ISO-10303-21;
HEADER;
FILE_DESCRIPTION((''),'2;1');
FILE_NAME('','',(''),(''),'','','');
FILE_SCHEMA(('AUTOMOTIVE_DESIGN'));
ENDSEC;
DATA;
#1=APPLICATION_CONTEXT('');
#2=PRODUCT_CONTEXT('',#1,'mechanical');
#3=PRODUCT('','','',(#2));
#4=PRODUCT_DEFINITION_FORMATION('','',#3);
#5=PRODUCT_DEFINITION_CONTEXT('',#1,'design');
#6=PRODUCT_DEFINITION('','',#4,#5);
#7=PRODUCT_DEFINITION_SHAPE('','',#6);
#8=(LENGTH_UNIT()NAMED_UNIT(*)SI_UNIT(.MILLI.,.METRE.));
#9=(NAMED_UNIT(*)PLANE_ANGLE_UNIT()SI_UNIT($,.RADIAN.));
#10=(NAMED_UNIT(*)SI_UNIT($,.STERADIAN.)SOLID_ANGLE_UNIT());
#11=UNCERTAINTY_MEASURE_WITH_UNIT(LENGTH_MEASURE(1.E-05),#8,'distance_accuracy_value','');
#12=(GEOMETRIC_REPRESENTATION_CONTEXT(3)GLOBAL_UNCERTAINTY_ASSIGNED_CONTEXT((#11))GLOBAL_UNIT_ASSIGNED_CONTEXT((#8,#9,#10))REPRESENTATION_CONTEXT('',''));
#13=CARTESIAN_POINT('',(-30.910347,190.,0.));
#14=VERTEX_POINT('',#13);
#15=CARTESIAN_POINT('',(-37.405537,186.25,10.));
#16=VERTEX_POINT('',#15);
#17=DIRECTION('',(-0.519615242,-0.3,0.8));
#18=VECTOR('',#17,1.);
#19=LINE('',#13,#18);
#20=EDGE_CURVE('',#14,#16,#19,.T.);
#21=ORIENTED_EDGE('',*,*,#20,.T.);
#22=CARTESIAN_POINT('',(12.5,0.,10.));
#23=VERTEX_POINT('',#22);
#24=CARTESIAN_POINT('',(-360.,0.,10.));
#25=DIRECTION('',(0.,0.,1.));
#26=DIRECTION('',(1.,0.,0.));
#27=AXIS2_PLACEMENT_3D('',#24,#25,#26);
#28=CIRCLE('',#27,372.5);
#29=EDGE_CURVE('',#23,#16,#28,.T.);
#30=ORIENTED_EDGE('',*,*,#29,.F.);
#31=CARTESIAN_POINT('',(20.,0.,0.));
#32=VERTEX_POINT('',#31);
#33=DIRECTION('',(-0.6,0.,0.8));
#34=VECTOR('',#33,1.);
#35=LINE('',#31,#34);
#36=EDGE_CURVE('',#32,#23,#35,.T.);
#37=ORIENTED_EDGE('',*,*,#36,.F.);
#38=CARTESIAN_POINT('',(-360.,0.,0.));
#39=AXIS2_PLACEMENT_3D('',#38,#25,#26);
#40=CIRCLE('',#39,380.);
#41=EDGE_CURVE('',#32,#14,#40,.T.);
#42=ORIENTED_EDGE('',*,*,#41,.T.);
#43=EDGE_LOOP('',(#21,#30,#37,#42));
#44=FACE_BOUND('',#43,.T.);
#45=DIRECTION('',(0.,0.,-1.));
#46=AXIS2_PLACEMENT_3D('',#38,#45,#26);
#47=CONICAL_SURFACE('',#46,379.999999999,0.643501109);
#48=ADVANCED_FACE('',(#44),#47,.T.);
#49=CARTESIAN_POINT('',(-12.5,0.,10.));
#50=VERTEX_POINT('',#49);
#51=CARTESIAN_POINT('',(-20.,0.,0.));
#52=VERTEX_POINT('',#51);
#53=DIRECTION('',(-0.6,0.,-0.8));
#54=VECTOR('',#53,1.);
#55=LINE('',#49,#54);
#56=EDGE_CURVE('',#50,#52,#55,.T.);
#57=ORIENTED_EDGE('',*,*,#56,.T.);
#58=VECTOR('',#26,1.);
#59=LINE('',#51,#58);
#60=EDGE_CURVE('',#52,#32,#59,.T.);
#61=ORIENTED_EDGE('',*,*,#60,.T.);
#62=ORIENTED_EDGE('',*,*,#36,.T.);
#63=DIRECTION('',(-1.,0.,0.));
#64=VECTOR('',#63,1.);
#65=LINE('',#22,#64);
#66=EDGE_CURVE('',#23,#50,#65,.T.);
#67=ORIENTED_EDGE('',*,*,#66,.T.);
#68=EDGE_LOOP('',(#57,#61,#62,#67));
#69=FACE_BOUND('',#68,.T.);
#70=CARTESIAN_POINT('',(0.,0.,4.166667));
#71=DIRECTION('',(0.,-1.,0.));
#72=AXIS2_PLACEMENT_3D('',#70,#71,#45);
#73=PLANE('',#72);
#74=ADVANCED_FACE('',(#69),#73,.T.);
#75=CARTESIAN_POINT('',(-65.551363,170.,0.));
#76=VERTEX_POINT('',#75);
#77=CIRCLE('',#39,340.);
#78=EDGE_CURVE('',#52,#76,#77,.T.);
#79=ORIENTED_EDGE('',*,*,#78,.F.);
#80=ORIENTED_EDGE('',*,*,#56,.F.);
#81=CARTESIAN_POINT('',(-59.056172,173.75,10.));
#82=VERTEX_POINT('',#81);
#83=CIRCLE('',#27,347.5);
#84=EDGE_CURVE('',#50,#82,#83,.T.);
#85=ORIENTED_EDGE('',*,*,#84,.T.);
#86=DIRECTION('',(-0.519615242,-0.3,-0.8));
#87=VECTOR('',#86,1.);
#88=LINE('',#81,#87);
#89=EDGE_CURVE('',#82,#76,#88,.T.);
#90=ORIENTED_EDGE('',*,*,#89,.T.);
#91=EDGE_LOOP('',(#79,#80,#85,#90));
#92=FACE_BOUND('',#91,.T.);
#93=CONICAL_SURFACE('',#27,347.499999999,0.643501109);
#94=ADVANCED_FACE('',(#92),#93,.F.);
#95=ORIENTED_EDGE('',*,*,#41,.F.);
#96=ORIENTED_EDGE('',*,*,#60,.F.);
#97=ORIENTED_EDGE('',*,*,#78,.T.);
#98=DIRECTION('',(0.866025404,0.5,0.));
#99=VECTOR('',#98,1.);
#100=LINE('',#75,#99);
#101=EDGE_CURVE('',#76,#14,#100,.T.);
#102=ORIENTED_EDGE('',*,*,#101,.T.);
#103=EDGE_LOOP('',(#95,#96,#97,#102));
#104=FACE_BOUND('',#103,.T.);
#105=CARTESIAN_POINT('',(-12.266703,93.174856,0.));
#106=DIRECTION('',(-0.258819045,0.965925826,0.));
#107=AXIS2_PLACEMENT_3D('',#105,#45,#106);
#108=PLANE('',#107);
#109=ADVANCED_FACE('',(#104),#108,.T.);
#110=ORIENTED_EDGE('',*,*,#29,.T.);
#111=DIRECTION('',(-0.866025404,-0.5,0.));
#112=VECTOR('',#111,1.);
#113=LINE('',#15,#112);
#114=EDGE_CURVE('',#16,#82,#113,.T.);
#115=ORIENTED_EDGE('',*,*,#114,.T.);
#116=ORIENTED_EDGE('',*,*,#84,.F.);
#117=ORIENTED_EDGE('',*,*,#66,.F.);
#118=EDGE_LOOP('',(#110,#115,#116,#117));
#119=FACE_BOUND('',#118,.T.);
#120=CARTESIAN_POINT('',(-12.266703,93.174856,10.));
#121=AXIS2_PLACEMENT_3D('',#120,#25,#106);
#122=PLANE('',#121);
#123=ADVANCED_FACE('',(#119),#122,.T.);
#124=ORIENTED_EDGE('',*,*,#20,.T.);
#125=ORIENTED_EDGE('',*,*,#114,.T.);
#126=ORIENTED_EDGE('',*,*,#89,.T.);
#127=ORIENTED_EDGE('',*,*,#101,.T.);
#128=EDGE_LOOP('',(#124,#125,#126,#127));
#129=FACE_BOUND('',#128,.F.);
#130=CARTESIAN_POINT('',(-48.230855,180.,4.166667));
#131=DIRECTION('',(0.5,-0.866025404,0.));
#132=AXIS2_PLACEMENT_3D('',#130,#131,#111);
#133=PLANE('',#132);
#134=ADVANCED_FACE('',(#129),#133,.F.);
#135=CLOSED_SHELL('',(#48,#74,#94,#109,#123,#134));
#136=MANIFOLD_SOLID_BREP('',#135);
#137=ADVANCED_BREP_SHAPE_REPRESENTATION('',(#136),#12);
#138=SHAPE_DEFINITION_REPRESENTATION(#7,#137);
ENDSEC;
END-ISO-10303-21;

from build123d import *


with BuildPart() as f2:
    # F2: sweep along a path in F1
    with BuildLine(Plane.XY) as f2_path:
        ThreePointArc((0, 0), (-12.2667025359, 93.1748562369), (-48.2308546376, 180))
    # F0 (on Front) → F2 (sweep)
    with BuildSketch(Plane.XZ):
        Polygon((-12.5, 10), (-20, 0), (20, 0), (12.5, 10), align=None)
    sweep(path=f2_path.line)


solid = f2.part
